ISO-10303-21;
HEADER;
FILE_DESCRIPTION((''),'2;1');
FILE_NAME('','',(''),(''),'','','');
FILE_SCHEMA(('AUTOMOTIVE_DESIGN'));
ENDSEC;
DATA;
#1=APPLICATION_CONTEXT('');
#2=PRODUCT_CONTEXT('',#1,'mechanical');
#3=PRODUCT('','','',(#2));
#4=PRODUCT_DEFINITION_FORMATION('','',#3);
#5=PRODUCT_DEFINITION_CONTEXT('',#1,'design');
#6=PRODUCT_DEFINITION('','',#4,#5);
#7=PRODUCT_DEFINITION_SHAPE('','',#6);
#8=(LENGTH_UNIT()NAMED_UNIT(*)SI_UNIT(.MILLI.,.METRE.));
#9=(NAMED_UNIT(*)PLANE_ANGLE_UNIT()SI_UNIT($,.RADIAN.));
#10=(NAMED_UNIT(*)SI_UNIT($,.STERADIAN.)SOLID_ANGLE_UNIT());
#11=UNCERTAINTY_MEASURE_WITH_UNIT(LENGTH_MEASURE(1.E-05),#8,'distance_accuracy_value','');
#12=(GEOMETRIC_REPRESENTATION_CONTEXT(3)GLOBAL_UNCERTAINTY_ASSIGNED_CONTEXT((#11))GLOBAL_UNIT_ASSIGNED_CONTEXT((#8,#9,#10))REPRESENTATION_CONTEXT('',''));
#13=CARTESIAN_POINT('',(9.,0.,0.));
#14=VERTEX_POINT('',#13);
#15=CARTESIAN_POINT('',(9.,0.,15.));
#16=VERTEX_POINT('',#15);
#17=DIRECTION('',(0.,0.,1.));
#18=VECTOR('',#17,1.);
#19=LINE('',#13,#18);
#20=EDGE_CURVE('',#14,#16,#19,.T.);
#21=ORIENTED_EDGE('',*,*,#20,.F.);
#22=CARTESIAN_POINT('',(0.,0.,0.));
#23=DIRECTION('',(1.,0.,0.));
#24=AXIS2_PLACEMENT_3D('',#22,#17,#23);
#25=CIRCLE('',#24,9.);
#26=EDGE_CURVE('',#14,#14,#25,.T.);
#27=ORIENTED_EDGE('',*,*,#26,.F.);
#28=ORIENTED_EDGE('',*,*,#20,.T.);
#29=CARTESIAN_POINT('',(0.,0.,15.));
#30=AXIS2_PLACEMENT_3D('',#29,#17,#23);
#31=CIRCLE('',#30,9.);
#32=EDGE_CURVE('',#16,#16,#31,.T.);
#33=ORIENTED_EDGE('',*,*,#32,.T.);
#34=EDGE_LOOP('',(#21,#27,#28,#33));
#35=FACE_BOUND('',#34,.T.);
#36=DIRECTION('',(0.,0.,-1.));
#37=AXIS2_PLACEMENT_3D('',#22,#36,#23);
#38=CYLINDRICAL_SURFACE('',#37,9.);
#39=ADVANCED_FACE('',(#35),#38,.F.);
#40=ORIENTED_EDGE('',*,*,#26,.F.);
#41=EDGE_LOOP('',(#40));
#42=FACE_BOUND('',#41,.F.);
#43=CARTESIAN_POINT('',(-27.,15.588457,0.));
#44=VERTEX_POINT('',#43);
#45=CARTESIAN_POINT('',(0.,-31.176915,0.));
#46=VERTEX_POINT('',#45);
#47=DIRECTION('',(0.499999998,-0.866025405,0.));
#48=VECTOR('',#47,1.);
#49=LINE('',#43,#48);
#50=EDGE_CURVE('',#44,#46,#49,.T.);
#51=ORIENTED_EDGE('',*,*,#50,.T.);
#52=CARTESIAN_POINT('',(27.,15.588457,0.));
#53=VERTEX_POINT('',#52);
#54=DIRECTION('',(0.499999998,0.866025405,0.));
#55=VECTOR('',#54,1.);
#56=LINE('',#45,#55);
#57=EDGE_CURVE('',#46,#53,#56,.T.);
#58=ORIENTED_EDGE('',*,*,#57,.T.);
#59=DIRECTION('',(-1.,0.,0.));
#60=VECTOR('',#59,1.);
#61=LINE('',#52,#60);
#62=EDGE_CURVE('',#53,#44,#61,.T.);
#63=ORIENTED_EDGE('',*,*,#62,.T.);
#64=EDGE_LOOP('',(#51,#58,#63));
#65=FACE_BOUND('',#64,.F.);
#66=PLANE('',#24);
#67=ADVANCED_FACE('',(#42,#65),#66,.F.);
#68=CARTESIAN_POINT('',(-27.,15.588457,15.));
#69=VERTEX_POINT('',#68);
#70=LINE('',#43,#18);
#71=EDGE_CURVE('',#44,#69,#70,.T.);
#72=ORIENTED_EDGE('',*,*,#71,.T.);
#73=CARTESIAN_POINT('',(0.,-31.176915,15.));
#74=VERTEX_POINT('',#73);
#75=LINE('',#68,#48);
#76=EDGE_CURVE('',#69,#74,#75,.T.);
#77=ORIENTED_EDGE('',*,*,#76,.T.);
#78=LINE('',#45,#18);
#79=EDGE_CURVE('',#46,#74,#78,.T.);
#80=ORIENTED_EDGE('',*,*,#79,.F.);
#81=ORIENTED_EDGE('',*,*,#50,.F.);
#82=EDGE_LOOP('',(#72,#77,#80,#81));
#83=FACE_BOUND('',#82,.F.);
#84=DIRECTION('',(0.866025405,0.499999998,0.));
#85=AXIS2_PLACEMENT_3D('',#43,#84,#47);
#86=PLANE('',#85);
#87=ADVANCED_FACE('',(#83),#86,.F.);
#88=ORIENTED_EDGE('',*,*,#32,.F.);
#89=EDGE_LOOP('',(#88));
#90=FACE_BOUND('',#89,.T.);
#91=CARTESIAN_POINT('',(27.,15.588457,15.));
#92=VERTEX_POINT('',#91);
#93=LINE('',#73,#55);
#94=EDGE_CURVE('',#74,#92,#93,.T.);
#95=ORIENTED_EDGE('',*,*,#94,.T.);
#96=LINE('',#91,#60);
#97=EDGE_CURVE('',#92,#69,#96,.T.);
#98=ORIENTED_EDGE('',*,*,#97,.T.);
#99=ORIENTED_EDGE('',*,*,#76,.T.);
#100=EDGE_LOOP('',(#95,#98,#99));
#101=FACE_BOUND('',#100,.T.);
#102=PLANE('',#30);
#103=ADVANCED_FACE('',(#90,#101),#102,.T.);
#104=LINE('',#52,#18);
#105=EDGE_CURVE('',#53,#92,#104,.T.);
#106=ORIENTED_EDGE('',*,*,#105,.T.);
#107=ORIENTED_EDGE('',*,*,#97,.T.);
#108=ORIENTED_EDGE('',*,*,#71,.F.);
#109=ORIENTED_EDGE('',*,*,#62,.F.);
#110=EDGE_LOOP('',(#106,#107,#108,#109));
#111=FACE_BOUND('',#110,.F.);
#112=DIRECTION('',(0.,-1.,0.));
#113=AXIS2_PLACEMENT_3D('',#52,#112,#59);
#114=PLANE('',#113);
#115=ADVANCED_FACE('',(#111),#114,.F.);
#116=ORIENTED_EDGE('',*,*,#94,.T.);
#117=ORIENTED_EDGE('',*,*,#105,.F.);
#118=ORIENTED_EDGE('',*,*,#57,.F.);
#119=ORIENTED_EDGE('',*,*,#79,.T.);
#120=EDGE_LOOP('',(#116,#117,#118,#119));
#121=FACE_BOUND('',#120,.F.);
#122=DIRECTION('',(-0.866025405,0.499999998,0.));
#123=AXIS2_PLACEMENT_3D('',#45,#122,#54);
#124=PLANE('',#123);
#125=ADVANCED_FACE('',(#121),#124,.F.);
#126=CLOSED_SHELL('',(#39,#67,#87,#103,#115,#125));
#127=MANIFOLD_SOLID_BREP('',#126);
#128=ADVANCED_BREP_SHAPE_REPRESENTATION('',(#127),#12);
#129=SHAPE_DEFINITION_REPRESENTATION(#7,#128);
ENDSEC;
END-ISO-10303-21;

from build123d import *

# Parameters (mm, degrees)
F2_DEPTH = 15
F1_R     = 9
F3_DEPTH = 15


with BuildPart() as f2:
    # F0 (on Top) → F2 (new body)
    with BuildSketch(Plane.XY):
        Polygon((27, 15.588457), (-27, 15.588457), (0, -31.176915), align=None)
    extrude(amount=F2_DEPTH)

    # F1 (on Top) → F3 (cut)
    with BuildSketch(Plane.XY):
        Circle(F1_R)
    extrude(amount=F3_DEPTH, mode=Mode.SUBTRACT)


solid = f2.part
